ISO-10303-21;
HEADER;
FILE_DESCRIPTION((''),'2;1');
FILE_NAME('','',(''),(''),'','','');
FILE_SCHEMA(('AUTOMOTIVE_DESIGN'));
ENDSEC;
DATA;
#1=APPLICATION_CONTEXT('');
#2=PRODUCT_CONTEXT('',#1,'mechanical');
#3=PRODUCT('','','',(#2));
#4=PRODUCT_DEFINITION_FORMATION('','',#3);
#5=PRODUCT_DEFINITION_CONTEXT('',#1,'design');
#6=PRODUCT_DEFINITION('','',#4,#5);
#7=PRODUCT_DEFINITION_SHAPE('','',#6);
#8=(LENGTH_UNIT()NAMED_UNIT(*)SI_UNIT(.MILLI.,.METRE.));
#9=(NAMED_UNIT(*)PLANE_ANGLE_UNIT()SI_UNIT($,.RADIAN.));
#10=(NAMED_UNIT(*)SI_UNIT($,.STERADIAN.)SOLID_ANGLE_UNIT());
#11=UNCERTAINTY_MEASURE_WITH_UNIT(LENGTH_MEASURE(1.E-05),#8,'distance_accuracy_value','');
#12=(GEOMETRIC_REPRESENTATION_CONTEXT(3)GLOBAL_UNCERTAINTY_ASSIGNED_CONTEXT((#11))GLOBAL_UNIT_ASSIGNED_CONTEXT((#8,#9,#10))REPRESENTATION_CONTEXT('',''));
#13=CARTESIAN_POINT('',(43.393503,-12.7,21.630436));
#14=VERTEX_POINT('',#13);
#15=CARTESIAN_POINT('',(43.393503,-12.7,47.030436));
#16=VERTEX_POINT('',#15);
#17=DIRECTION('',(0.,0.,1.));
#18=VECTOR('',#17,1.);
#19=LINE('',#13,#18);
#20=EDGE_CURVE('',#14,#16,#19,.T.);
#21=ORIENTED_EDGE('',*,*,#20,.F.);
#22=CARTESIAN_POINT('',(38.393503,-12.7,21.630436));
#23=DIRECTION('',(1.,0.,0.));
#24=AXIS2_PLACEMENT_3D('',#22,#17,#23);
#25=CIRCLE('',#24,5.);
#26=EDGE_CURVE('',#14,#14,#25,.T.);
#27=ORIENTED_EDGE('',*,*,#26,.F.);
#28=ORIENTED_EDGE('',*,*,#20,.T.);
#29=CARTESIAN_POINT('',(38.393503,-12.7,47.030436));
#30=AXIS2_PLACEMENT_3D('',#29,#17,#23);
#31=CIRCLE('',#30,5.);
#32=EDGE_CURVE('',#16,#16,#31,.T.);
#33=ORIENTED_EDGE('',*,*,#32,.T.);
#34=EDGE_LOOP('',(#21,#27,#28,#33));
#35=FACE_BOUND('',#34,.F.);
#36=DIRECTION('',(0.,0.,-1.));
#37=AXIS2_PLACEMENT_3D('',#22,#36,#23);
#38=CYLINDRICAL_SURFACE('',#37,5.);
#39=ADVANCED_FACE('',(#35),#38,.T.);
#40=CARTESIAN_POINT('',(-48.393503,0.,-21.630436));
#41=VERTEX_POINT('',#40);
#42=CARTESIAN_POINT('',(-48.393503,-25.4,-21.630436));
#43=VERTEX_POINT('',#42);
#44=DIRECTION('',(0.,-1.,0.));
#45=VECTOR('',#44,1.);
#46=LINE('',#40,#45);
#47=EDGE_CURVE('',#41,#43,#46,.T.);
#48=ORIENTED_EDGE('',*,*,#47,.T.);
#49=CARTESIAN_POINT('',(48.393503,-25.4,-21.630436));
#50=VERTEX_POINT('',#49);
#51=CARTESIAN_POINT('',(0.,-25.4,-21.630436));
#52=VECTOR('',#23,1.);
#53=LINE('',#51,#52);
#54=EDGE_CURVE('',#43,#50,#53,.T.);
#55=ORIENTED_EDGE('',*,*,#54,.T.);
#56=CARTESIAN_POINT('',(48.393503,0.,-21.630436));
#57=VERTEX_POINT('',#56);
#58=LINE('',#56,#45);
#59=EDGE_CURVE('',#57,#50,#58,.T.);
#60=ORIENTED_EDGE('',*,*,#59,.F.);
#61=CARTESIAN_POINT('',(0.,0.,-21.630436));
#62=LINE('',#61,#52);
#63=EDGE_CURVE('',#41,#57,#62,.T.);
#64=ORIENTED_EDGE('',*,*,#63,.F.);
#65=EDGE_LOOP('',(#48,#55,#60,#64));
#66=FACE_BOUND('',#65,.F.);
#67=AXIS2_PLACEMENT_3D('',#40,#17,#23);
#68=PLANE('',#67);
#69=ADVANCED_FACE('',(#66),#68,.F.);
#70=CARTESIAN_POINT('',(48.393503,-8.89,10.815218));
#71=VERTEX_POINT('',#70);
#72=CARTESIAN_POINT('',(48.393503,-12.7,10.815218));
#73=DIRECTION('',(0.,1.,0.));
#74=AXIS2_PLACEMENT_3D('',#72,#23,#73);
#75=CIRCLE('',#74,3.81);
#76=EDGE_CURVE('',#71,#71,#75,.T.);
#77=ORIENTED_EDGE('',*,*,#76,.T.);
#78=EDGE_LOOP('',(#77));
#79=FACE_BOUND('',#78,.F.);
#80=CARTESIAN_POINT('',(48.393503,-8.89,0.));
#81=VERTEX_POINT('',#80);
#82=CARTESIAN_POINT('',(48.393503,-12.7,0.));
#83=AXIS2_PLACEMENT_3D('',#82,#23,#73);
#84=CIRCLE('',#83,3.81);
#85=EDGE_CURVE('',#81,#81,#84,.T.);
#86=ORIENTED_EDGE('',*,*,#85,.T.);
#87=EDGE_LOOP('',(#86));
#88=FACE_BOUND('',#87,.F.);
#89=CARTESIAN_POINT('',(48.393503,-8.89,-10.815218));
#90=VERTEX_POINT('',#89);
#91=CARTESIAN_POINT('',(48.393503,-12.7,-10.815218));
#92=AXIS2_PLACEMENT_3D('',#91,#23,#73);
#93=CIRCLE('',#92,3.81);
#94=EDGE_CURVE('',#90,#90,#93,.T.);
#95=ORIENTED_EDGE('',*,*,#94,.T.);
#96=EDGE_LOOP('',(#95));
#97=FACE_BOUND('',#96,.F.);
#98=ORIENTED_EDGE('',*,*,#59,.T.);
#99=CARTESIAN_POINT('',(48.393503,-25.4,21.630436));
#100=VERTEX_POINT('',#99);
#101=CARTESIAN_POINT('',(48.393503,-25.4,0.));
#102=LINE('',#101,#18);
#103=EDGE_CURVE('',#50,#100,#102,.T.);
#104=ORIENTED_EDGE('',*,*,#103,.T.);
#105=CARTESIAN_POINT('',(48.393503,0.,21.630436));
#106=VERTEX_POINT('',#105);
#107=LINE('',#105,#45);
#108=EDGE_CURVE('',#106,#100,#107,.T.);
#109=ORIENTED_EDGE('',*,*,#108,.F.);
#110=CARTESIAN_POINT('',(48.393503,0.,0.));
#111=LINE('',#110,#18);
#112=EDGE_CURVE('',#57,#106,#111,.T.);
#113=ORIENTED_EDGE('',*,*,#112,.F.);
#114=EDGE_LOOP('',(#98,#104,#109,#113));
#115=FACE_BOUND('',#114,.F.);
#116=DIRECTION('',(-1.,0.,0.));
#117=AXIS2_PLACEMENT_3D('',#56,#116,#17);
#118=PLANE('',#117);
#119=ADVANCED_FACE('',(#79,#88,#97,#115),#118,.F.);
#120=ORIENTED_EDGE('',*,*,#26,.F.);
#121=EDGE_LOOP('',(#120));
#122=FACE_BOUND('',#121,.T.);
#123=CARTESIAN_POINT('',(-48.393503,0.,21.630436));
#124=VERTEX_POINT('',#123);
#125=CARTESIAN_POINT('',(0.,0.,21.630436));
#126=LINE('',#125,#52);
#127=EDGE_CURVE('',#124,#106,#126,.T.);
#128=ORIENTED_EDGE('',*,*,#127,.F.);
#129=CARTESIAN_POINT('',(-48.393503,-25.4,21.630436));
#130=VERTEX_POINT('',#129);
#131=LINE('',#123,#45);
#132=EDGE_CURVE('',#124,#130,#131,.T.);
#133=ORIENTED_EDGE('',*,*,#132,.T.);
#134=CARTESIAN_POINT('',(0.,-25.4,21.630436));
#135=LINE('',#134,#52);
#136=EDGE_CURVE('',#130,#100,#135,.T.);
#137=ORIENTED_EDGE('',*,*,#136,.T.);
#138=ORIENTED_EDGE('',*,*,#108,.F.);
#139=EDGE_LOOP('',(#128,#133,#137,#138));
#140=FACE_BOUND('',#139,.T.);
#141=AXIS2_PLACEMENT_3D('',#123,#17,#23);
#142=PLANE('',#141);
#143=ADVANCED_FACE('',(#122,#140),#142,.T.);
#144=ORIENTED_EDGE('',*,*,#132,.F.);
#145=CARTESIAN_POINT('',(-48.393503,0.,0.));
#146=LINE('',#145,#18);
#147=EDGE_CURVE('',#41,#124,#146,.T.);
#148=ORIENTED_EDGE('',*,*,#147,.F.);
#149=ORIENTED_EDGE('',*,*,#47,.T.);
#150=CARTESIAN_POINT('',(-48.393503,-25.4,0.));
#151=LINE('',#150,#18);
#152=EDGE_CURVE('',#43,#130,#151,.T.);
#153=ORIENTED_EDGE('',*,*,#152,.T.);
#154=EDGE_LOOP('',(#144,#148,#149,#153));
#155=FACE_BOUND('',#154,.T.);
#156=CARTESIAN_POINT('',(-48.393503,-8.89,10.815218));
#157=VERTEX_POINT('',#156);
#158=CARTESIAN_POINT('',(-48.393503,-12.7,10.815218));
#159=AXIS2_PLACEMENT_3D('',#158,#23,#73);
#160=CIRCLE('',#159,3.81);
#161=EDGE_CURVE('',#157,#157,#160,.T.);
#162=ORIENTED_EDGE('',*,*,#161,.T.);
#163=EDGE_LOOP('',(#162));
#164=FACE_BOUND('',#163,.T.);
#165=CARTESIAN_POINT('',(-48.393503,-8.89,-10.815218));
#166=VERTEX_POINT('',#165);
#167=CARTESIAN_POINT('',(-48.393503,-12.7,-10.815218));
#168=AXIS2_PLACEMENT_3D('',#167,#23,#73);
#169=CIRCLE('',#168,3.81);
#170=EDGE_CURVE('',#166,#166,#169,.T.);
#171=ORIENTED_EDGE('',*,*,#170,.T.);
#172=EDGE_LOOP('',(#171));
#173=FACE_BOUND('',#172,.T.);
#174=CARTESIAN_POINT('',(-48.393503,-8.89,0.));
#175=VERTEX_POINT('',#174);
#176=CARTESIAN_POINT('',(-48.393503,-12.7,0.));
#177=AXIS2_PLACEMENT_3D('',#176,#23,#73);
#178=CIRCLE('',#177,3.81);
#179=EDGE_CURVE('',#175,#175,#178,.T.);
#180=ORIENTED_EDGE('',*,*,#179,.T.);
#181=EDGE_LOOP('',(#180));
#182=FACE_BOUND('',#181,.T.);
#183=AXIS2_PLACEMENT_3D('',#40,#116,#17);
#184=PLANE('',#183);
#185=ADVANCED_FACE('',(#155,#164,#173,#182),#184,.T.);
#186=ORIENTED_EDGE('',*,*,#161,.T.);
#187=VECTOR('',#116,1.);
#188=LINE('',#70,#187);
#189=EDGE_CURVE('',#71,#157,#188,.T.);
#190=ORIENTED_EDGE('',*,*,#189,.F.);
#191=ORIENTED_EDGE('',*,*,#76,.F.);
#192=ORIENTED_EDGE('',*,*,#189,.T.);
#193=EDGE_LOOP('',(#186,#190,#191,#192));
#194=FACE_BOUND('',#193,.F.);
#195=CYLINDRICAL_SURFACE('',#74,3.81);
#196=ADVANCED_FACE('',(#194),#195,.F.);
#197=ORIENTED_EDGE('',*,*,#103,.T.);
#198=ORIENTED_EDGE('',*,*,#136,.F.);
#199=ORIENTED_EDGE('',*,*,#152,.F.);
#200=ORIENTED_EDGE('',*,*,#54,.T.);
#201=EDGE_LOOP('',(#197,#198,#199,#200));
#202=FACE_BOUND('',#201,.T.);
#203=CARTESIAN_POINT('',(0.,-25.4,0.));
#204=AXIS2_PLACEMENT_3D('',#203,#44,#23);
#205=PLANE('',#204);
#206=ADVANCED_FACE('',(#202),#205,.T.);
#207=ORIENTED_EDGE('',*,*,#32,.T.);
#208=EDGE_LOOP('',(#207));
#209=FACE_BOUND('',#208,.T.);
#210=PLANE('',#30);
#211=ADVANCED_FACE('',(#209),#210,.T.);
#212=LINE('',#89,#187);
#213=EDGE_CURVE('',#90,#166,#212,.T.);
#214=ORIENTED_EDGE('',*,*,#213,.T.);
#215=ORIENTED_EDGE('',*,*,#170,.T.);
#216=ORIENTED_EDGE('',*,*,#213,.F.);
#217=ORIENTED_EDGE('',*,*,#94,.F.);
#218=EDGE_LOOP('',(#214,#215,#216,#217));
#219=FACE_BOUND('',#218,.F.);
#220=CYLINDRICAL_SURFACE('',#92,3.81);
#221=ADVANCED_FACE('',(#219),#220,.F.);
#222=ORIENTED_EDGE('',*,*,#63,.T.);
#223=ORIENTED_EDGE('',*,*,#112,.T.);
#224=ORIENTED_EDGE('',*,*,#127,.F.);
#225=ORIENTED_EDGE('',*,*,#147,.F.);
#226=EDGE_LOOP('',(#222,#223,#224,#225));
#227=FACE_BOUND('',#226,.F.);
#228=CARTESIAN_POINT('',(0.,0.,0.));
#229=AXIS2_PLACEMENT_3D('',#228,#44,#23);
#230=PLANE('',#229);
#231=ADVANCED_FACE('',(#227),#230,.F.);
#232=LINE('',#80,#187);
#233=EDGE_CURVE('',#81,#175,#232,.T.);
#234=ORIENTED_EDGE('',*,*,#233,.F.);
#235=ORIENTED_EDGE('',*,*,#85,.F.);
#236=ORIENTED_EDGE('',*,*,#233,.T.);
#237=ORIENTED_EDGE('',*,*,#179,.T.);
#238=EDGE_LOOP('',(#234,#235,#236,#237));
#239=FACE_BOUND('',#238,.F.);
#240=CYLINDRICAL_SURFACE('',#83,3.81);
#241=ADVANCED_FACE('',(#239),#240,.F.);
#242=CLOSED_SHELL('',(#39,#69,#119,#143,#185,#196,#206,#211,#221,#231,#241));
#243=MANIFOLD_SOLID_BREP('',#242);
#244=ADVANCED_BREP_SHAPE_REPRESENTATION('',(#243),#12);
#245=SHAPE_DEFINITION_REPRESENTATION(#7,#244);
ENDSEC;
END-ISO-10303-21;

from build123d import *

# Parameters (mm, degrees)
F0_W     = 96.787006
F0_H     = 43.260872
F6_DEPTH = 25.4
F1_R     = 5
F2_DEPTH = 25.4
F7_R     = 3.81
F8_DEPTH = 96.788006


with BuildPart() as f6:
    # F0 (on Front) → F6 (new body)
    with BuildSketch(Plane.XZ):
        Rectangle(F0_W, F0_H)
    extrude(amount=F6_DEPTH)

    # F1 (on face) → F2 (join)
    with BuildSketch(Plane.XY.offset(21.630436)):
        with Locations((38.393503, -12.7)):
            Circle(F1_R)
    extrude(amount=F2_DEPTH)

    # F7 (on face) → F8 (cut, through all)
    with BuildSketch(Plane.YZ.offset(48.393503)):
        with Locations((-12.7, 10.815218)):
            Circle(F7_R)
        with Locations((-12.7, 0)):
            Circle(F7_R)
        with Locations((-12.7, -10.815218)):
            Circle(F7_R)
    extrude(amount=-F8_DEPTH, mode=Mode.SUBTRACT)


solid = f6.part
